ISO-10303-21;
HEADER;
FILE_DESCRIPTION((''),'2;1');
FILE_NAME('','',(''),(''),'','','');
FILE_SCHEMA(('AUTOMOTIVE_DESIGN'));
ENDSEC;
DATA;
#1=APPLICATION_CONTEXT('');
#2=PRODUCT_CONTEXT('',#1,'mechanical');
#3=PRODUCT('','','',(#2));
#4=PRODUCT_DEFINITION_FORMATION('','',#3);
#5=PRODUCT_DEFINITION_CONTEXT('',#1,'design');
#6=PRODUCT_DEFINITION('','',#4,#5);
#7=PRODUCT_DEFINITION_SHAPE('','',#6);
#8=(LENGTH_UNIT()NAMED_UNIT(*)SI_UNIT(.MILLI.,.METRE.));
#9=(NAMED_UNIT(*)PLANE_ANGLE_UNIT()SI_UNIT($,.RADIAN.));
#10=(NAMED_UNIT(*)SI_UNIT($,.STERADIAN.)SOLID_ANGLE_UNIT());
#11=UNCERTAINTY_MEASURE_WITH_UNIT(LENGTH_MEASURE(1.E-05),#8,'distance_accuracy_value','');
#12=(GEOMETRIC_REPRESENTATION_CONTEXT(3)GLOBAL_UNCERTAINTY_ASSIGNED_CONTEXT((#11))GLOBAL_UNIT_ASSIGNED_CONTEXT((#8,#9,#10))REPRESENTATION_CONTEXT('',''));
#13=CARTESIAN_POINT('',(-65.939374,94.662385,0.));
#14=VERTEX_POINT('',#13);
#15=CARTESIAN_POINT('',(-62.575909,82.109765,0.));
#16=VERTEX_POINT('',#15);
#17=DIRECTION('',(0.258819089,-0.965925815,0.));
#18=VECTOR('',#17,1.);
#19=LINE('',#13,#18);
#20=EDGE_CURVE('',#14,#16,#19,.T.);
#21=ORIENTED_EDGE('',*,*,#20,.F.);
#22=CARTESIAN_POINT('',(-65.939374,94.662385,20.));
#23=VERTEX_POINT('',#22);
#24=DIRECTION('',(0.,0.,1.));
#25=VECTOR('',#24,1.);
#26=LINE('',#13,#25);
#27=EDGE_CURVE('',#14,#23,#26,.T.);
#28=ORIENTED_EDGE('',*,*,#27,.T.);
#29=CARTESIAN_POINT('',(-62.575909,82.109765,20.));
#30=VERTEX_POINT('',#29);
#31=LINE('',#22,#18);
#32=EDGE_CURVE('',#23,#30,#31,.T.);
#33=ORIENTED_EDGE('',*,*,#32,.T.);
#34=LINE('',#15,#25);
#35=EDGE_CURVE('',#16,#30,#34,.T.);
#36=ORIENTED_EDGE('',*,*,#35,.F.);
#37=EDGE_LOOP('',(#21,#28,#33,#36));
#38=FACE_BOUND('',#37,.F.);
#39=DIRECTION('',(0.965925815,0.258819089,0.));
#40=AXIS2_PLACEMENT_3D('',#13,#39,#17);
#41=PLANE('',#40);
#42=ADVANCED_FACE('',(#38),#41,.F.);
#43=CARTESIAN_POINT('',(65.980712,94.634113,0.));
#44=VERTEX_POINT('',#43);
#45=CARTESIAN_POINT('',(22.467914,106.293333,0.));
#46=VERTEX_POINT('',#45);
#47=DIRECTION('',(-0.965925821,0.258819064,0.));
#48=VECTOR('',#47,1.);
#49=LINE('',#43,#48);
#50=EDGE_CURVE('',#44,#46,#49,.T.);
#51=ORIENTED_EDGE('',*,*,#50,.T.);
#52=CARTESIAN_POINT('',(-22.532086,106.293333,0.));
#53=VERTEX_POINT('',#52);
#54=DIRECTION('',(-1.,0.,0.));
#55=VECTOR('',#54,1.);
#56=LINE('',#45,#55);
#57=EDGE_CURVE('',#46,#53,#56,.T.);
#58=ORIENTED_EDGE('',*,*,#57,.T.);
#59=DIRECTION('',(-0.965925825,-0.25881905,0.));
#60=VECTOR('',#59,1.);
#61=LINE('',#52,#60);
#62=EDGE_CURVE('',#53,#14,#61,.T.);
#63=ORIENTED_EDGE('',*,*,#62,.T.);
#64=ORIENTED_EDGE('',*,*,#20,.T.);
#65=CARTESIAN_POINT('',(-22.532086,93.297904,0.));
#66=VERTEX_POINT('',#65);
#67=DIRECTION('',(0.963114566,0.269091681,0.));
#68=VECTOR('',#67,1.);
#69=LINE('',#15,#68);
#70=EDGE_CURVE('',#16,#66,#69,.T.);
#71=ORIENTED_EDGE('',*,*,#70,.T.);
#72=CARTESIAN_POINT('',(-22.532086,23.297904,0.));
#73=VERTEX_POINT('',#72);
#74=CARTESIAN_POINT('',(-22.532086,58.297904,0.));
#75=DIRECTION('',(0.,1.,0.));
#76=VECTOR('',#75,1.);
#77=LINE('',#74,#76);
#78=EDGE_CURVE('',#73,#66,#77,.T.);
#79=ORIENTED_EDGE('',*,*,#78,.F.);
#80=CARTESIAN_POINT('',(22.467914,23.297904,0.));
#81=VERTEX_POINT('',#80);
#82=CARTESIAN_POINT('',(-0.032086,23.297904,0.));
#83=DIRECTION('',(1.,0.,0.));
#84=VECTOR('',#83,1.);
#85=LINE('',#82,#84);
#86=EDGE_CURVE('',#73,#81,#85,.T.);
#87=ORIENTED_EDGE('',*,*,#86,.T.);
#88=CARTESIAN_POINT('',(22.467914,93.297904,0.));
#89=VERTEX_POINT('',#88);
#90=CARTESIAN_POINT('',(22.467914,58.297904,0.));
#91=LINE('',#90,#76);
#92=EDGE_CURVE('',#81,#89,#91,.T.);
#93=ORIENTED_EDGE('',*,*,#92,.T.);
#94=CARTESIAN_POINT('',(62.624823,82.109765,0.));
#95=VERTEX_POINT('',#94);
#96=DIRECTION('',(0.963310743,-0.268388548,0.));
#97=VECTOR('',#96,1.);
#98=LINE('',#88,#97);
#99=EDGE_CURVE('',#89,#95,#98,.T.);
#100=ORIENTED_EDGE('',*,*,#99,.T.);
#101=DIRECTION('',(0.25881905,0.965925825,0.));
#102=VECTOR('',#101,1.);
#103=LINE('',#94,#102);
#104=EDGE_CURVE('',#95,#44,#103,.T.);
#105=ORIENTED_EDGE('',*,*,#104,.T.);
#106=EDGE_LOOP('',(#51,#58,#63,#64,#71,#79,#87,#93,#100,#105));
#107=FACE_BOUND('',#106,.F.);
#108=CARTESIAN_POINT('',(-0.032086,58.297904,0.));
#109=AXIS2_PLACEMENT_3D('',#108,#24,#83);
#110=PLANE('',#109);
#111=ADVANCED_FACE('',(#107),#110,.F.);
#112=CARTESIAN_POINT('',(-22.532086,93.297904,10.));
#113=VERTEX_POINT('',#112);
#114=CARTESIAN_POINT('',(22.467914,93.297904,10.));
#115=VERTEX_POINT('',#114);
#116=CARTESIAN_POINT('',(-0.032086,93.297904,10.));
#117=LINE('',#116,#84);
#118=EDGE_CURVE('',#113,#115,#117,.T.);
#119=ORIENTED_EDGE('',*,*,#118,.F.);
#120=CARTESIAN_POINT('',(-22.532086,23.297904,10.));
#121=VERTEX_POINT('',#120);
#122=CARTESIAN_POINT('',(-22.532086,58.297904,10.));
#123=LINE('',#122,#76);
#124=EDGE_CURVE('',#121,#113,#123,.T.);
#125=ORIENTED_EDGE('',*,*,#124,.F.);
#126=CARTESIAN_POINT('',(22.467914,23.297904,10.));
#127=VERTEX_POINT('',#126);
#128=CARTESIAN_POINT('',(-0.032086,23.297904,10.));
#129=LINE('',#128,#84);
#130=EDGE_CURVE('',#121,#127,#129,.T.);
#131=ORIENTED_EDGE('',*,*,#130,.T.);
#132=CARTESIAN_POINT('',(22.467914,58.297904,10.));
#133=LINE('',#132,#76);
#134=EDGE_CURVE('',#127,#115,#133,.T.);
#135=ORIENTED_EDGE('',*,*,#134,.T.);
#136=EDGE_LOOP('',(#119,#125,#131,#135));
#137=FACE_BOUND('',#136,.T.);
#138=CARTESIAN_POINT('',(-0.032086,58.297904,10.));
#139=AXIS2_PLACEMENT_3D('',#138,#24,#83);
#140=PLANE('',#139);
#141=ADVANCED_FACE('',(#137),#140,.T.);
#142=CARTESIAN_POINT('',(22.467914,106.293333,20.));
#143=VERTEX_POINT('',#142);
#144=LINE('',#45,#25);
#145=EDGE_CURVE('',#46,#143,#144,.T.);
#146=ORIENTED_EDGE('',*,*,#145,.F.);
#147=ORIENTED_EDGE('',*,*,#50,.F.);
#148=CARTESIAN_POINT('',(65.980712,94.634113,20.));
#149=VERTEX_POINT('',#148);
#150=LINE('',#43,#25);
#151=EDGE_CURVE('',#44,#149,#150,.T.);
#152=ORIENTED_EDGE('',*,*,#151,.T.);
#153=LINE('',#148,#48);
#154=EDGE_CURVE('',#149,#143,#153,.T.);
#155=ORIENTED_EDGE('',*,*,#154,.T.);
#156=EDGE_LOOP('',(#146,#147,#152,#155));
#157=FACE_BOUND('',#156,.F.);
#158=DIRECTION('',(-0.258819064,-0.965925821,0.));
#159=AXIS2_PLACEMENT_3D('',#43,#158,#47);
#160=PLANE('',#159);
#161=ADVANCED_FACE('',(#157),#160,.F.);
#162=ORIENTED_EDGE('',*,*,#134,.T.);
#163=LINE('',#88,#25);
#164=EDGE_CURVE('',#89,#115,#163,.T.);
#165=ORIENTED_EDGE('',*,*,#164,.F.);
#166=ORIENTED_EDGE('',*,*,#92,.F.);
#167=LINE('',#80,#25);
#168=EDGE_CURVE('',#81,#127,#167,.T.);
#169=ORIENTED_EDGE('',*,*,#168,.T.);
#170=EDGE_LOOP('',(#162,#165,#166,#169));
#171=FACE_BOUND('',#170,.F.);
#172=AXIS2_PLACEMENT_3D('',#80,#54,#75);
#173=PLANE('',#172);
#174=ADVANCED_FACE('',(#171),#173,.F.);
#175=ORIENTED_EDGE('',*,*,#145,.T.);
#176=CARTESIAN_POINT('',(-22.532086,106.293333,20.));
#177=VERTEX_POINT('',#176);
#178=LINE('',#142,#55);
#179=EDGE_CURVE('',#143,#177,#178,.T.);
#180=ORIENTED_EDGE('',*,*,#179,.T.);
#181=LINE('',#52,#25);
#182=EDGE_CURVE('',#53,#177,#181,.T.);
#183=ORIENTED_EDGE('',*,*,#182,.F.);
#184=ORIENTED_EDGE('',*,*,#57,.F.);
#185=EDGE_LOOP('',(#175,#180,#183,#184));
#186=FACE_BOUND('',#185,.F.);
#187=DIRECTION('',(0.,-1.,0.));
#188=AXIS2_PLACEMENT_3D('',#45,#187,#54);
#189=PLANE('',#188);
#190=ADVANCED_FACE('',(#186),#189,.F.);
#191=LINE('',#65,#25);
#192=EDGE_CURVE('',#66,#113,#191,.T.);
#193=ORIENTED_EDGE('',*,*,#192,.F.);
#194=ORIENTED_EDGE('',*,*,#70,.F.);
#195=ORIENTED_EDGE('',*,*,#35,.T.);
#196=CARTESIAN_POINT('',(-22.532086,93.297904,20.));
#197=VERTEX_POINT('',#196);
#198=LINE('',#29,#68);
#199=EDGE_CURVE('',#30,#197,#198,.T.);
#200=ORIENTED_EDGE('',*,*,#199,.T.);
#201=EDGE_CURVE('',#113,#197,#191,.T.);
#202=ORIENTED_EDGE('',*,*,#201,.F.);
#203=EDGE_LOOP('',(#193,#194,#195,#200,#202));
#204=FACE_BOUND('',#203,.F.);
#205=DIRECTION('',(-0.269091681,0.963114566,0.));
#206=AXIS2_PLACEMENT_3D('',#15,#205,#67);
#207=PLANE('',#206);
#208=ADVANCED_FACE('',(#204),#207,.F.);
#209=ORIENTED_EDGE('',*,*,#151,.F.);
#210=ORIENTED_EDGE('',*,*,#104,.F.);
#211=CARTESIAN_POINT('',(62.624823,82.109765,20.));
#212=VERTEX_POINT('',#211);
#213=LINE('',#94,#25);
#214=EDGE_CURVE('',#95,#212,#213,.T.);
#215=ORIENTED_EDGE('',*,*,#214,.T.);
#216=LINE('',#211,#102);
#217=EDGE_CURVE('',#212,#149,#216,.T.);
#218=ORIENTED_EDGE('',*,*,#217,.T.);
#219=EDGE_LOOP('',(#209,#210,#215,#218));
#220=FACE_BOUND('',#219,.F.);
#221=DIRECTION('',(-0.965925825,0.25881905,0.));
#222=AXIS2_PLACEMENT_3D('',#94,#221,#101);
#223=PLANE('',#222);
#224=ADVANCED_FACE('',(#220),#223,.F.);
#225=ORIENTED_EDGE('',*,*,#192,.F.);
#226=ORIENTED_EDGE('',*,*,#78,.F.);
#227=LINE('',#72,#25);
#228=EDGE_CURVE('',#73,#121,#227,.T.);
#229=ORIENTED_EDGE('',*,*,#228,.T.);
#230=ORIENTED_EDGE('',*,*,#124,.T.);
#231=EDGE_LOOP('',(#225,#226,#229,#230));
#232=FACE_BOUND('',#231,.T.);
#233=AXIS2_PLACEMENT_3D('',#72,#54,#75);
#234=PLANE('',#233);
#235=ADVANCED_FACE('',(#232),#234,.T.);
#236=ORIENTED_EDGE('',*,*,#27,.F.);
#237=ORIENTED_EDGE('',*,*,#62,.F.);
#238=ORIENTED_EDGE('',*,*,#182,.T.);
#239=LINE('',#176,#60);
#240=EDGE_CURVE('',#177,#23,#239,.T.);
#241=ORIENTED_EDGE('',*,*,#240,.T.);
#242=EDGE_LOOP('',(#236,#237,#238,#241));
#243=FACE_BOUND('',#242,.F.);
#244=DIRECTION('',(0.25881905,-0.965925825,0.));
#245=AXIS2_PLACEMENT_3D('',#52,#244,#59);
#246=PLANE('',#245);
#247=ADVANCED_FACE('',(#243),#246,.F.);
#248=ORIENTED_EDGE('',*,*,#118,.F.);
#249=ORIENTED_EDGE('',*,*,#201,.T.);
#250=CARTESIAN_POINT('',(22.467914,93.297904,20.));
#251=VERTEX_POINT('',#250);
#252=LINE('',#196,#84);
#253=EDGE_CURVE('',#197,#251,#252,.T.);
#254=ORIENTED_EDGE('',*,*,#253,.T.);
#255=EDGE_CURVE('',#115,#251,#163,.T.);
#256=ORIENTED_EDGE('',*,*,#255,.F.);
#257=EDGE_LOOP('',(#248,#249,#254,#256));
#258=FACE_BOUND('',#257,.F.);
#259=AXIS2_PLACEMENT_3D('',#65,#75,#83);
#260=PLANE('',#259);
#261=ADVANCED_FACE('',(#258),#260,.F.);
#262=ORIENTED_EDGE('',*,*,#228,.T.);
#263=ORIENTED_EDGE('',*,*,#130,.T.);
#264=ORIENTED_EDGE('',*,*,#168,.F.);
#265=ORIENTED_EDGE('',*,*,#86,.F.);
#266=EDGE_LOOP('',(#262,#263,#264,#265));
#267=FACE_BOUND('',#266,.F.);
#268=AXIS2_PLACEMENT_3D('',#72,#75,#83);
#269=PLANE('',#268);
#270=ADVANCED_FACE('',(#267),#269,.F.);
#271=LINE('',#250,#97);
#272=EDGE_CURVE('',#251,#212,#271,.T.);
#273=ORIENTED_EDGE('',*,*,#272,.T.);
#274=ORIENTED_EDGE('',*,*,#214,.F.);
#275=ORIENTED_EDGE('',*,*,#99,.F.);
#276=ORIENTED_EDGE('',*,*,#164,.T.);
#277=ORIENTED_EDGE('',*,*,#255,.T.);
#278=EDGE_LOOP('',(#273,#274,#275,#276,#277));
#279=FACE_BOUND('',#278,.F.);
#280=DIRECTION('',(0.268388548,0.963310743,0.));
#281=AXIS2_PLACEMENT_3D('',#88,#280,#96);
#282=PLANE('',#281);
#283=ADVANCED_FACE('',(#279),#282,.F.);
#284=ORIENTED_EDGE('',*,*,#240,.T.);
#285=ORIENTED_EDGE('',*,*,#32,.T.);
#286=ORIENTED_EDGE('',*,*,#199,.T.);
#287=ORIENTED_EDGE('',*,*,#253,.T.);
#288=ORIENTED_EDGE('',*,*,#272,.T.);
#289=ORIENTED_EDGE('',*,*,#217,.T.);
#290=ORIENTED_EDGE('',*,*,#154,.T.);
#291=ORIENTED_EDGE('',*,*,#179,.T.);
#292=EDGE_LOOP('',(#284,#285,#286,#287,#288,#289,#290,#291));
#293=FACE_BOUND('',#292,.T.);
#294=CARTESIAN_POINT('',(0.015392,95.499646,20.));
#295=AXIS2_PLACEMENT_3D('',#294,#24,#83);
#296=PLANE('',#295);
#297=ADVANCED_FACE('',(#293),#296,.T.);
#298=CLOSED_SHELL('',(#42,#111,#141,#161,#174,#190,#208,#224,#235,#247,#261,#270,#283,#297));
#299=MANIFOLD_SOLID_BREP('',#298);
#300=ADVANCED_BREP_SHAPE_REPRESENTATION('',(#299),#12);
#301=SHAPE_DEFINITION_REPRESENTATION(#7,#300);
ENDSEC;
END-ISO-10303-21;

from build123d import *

# Parameters (mm, degrees)
F2_DEPTH = 20
F1_W     = 45
F1_H     = 70
F3_DEPTH = 10


with BuildPart() as f2:
    # F0 (on Top) → F2 (new body)
    with BuildSketch(Plane.XY):
        Polygon((-22.532086, 106.293333), (-65.939374, 94.662385), (-62.575909, 82.109765), (-22.532086, 93.297904), (22.467914, 93.297904), (62.624823, 82.109765), (65.980712, 94.634113), (22.467914, 106.293333), align=None)
    extrude(amount=F2_DEPTH)

    # F1 (on face) → F3 (join)
    with BuildSketch(Plane.XY):
        with Locations((-0.032086, 58.297904)):
            Rectangle(F1_W, F1_H)
    extrude(amount=F3_DEPTH)


solid = f2.part
